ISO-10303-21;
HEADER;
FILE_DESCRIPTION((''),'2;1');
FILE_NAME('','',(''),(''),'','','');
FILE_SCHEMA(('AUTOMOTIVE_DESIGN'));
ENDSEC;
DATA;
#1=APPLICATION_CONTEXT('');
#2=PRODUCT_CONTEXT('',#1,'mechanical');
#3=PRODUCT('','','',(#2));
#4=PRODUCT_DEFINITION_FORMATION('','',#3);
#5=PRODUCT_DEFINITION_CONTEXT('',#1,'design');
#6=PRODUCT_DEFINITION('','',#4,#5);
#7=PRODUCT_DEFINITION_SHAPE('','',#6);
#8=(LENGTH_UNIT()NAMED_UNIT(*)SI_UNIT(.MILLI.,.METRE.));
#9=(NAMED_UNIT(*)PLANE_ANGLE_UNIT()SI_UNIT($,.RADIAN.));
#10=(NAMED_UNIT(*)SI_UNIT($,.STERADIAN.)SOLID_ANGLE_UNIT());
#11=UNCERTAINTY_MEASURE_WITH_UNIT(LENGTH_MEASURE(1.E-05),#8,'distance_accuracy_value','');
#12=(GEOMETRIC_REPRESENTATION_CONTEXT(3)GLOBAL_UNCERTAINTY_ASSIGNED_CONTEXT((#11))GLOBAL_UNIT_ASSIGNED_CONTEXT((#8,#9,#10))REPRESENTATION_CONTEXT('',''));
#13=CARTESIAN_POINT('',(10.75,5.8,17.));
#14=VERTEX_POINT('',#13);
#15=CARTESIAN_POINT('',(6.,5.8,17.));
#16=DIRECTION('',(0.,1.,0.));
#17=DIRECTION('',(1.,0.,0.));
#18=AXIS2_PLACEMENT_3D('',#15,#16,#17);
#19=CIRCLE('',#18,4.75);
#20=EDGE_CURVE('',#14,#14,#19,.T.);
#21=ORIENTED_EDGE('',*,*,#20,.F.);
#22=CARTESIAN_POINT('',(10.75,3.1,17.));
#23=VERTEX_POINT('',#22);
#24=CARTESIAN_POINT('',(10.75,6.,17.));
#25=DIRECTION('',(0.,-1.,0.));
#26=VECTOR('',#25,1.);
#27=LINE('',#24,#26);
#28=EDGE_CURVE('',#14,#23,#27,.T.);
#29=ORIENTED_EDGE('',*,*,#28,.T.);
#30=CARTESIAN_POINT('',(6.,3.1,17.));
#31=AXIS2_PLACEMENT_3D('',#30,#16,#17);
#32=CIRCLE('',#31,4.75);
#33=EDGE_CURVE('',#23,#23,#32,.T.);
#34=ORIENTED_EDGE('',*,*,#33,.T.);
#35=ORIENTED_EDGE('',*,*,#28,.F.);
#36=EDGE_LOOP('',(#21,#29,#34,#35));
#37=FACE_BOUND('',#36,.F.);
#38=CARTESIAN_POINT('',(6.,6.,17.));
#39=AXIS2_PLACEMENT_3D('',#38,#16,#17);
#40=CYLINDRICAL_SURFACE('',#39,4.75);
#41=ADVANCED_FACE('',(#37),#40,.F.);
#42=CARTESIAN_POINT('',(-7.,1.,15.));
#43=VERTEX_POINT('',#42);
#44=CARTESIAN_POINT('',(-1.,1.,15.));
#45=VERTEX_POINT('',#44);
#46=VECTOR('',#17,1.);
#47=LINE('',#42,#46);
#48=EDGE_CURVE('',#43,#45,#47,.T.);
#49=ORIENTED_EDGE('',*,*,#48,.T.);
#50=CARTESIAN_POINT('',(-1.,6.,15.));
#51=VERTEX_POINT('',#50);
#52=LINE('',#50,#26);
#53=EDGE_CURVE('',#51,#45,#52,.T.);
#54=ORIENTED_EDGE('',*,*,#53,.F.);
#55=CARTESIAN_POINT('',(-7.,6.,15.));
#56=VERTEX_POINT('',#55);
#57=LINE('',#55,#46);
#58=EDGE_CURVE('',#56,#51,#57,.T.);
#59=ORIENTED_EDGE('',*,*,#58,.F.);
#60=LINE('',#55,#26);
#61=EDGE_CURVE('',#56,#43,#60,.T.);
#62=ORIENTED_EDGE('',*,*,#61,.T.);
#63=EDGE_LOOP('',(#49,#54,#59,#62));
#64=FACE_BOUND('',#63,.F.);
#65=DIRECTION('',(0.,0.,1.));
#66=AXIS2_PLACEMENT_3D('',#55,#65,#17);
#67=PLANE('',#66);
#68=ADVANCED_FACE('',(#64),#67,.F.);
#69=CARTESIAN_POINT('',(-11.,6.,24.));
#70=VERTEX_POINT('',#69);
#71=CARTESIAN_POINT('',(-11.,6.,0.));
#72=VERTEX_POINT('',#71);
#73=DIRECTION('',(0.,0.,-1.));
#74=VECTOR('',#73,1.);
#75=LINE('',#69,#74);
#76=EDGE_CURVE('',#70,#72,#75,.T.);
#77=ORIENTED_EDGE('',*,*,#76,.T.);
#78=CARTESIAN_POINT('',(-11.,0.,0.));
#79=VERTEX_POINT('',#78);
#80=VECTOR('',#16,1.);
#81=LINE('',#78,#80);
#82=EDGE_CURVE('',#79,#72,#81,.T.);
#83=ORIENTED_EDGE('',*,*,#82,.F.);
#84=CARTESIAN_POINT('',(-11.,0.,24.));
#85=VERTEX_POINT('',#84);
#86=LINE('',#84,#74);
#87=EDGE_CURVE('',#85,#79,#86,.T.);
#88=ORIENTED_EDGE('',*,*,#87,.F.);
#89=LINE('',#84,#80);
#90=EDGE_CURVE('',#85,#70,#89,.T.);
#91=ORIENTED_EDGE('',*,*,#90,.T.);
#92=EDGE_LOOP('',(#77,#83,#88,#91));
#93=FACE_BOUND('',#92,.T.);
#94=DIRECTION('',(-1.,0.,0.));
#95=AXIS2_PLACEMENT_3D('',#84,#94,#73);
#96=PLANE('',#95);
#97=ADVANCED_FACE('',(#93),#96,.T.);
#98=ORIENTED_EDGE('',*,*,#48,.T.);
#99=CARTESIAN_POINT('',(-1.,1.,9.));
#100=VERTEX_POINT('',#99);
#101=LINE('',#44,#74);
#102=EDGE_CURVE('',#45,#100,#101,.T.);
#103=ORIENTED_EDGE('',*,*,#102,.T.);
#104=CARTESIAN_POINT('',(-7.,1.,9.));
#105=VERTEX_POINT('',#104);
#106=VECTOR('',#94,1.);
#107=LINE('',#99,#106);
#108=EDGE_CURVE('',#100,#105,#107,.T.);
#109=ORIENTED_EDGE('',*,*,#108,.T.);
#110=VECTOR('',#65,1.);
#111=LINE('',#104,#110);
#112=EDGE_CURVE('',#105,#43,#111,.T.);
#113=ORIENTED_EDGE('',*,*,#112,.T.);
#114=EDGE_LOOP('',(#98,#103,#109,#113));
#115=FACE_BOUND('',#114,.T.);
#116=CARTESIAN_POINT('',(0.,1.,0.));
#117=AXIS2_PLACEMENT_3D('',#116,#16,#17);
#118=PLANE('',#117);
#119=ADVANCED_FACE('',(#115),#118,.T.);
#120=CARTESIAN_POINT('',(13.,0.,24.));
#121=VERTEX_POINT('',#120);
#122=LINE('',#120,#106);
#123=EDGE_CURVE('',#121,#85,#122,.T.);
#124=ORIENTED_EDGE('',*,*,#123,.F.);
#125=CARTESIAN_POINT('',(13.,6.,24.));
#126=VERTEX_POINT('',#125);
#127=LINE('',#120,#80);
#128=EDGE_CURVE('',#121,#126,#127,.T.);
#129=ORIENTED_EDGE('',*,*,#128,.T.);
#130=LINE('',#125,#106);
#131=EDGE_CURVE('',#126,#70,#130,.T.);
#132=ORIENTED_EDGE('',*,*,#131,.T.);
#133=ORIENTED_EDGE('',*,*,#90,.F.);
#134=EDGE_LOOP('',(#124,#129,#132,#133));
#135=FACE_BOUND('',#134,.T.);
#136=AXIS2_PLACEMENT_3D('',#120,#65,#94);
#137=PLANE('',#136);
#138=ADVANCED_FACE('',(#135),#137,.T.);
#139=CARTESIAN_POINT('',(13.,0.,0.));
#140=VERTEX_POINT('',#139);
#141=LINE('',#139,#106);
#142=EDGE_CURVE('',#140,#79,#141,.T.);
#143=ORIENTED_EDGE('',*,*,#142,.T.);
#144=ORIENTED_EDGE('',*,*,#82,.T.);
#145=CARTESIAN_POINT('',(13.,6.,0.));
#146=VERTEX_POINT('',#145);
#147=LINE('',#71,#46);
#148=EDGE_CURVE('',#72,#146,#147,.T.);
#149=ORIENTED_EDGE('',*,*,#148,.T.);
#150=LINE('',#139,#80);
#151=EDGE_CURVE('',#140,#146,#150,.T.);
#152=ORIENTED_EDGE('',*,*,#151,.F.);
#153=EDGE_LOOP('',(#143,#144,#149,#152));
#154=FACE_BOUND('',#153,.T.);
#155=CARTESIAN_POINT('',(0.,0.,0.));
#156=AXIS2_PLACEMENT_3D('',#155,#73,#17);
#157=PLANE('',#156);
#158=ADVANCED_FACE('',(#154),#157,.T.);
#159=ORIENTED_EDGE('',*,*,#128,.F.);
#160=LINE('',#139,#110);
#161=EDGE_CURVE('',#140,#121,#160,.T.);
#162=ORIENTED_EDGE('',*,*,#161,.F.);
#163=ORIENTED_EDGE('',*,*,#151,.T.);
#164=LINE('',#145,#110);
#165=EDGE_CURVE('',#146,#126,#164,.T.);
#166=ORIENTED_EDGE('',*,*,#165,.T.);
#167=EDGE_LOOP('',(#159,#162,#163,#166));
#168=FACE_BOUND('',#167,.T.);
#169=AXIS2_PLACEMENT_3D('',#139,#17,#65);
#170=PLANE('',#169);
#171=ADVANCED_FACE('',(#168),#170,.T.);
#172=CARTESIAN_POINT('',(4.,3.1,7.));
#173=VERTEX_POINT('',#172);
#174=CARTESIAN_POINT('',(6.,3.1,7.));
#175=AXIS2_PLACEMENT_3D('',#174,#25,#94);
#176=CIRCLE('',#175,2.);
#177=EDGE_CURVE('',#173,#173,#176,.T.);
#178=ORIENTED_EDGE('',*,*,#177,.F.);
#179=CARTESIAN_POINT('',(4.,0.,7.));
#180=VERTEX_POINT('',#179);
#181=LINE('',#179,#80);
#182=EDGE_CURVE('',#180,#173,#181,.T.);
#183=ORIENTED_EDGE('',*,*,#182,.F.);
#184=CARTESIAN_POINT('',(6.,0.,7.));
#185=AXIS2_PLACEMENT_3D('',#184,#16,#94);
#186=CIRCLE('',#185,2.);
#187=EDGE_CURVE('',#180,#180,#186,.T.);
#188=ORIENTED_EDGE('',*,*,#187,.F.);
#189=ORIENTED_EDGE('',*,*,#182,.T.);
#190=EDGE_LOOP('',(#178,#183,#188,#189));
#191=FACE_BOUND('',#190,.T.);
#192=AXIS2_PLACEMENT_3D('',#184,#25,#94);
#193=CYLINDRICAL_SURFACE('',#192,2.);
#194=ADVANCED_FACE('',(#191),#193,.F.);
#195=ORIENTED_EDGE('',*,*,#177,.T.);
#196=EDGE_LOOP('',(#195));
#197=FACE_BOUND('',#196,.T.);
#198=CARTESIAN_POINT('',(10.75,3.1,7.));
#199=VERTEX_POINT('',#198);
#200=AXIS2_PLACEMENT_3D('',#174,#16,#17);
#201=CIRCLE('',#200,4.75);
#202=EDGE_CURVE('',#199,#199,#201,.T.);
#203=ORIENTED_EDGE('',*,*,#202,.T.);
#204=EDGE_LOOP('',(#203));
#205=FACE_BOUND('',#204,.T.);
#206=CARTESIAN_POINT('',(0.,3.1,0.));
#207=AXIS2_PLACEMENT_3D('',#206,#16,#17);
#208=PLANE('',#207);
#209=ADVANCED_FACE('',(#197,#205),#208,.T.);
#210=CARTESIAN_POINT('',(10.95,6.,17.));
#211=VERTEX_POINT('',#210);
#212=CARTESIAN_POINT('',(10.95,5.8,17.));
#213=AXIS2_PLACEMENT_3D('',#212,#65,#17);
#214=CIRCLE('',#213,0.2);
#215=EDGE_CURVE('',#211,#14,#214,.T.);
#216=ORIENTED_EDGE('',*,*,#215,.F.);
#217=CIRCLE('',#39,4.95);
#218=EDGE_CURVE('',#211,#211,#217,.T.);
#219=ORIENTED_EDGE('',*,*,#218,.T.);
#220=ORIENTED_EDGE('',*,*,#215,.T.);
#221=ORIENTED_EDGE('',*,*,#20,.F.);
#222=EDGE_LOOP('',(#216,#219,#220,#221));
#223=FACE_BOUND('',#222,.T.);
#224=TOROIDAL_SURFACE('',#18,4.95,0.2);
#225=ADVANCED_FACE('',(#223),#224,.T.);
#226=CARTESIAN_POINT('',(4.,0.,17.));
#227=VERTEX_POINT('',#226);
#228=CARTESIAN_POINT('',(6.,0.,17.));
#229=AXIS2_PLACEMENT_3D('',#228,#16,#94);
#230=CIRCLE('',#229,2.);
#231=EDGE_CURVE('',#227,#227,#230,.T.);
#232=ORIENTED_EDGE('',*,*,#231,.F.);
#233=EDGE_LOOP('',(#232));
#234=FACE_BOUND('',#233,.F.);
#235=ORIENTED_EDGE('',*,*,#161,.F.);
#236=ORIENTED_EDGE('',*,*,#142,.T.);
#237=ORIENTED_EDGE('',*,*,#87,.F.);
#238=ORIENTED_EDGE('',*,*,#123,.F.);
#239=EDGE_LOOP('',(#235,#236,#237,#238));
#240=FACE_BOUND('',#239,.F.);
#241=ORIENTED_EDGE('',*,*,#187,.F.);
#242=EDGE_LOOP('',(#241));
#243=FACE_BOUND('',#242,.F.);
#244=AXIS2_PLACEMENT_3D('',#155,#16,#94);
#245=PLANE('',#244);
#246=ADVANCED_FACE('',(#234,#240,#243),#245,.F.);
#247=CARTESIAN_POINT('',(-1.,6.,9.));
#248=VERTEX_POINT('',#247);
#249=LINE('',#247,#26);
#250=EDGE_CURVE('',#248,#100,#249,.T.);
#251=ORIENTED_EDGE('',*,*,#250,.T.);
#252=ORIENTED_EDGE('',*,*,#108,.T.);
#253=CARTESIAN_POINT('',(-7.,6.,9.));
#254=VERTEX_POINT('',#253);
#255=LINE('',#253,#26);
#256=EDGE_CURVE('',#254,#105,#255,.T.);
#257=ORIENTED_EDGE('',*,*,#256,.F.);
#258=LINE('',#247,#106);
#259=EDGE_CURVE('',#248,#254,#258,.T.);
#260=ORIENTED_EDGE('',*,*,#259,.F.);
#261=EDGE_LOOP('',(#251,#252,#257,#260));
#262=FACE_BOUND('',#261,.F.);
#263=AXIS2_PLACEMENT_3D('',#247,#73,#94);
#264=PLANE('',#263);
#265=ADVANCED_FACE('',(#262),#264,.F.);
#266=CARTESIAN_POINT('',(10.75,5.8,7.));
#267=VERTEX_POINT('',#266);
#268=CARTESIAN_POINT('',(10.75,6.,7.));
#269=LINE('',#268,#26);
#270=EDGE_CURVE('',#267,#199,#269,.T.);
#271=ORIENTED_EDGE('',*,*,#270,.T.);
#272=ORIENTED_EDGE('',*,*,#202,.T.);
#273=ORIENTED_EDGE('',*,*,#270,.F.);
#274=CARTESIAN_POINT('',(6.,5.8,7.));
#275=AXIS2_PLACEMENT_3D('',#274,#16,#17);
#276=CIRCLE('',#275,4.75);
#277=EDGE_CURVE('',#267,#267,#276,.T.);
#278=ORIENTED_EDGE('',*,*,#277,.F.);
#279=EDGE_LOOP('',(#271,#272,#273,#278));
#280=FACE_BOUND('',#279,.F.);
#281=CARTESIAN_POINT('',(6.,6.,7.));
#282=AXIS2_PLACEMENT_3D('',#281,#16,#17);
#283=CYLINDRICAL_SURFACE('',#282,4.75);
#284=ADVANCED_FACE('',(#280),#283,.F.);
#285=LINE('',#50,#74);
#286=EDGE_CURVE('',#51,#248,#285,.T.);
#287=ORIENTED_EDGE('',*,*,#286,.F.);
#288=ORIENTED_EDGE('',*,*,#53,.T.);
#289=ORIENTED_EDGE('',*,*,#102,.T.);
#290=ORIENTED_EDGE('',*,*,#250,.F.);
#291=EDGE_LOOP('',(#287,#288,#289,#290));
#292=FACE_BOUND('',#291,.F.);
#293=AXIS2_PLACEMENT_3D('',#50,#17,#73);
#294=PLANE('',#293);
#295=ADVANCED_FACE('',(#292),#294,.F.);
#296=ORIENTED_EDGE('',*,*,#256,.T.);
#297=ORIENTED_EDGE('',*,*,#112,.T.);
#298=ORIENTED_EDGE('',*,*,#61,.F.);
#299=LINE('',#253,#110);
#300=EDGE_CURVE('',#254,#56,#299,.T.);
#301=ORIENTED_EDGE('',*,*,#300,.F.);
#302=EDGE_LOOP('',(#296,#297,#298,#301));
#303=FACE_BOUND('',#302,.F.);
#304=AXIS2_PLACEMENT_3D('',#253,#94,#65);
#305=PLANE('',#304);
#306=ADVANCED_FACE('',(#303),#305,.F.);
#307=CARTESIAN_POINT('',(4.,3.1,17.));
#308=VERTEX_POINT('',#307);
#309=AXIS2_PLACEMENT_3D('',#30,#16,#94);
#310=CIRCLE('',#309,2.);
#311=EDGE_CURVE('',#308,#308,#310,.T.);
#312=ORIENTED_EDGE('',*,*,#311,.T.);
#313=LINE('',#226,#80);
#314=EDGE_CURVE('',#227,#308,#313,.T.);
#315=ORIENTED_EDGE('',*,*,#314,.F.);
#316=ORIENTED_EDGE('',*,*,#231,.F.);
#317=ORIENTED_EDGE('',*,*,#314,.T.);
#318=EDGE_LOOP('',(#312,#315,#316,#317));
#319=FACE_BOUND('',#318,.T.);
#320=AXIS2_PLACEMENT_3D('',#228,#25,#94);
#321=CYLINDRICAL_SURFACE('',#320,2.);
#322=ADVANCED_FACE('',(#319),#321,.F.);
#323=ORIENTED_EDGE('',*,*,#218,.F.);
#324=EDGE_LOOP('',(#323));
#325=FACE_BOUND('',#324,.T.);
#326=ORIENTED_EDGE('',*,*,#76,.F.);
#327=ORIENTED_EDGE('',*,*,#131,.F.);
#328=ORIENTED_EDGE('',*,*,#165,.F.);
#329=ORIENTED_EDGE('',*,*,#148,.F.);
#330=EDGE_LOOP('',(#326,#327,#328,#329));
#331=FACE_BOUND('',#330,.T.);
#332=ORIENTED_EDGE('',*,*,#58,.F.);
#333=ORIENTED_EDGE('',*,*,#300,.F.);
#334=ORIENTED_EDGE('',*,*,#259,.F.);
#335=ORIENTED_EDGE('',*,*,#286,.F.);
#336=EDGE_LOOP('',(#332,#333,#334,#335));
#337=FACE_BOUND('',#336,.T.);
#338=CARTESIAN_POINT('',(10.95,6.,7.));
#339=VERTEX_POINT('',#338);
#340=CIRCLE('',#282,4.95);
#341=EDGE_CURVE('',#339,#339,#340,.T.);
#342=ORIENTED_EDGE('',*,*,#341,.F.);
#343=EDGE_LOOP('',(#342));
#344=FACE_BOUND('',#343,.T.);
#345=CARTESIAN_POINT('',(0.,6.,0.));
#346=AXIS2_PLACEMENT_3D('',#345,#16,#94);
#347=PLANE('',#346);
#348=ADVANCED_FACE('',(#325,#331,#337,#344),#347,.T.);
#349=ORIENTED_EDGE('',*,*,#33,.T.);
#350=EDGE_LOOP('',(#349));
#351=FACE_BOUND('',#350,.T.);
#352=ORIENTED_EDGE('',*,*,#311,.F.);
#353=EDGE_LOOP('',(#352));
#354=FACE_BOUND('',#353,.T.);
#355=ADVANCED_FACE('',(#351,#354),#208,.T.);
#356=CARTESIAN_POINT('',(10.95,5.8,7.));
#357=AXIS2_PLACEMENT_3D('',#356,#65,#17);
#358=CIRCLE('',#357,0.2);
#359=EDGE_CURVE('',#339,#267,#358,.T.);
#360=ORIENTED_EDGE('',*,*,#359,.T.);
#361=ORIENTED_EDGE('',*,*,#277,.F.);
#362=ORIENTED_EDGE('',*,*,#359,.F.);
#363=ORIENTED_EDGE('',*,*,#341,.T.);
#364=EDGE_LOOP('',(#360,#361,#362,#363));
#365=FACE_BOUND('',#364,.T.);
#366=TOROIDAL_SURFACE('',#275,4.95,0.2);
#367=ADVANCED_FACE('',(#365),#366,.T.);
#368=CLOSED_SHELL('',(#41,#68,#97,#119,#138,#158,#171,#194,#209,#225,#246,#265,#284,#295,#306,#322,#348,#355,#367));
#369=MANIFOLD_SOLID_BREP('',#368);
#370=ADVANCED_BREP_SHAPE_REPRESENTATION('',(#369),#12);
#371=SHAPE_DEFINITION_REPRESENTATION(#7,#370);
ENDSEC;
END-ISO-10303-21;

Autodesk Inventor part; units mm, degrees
ref_plane "YZ Plane" through (0, 0, 0) normal (1, 0, 0) x (0, 1, 0)
ref_plane "XZ Plane" through (0, 0, 0) normal (0, 1, 0) x (-1, 0, 0)
ref_plane "XY Plane" through (0, 0, 0) normal (0, 0, 1) x (1, 0, 0)
sketch "Sketch1" plane through (0, 0, 0) normal (0, 1, 0) x (-1, 0, 0)
  line L0 (0, 0) -> (11, 0)
  line L1 (0, 0) -> (-13, 0)
  line L2 (-13, 0) -> (-13, 24)
  line L3 (-13, 24) -> (11, 24)
  line L4 (11, 24) -> (11, 0)
  circle A0 centre (-6, 17) radius 2
  circle A1 centre (-6, 7) radius 2
  circle A2 centre (-6, 17) radius 4.65
  circle A3 centre (-6, 7) radius 4.55
  dimension "d0" = 11
  dimension "d1" = 13
  dimension "d2" = 24
  dimension "d3" = 4
  dimension "d4" = 4
  dimension "d5" = 10
  dimension "d12" = 9.3
  dimension "d13" = 9.1
  dimension "d14" = 7
  dimension "d19" = 7
  dimension "d20" = 0
extrude "Extrusion1" add sketch "Sketch1" along normal blind 6 contours L1 L2 L3 L4 L0 | A2 | A3
sketch "Sketch2" plane through (0, 6, 0) normal (0, 1, 0) x (1, 0, 0)
  line L0 (-7, -15) -> (-1, -15)
  line L1 (-1, -15) -> (-1, -9)
  line L2 (-1, -9) -> (-7, -9)
  line L3 (-7, -9) -> (-7, -15)
  line L4 (13, 0) -> (-11, 0) projected
  line L5 (-11, -24) -> (13, -24) projected
  line L6 (-11, 0) -> (-11, -24) projected
  line L7 (-11, -24) -> (-11, 0)
  point P0 (0, 0)
  dimension "d8" = 9
  dimension "d9" = 24
extrude "Extrusion2" cut sketch "Sketch2" against normal blind 5
sketch "Sketch3" plane through (0, 6, 0) normal (0, 1, 0) x (1, 0, 0)
  circle A0 centre (6, -17) radius 2 projected
  circle A1 centre (6, -17) radius 4.75
  circle A2 centre (6, -7) radius 4.75
  point P0 (0, 0)
  dimension "d15" = 9.5
  dimension "d16" = 9.5
extrude "Extrusion3" cut sketch "Sketch3" against normal blind 2.9
fillet "Fillet1" radius 0.2 2 edges at (1.25, 6, 17) (1.25, 6, 7)
properties part number "base"
